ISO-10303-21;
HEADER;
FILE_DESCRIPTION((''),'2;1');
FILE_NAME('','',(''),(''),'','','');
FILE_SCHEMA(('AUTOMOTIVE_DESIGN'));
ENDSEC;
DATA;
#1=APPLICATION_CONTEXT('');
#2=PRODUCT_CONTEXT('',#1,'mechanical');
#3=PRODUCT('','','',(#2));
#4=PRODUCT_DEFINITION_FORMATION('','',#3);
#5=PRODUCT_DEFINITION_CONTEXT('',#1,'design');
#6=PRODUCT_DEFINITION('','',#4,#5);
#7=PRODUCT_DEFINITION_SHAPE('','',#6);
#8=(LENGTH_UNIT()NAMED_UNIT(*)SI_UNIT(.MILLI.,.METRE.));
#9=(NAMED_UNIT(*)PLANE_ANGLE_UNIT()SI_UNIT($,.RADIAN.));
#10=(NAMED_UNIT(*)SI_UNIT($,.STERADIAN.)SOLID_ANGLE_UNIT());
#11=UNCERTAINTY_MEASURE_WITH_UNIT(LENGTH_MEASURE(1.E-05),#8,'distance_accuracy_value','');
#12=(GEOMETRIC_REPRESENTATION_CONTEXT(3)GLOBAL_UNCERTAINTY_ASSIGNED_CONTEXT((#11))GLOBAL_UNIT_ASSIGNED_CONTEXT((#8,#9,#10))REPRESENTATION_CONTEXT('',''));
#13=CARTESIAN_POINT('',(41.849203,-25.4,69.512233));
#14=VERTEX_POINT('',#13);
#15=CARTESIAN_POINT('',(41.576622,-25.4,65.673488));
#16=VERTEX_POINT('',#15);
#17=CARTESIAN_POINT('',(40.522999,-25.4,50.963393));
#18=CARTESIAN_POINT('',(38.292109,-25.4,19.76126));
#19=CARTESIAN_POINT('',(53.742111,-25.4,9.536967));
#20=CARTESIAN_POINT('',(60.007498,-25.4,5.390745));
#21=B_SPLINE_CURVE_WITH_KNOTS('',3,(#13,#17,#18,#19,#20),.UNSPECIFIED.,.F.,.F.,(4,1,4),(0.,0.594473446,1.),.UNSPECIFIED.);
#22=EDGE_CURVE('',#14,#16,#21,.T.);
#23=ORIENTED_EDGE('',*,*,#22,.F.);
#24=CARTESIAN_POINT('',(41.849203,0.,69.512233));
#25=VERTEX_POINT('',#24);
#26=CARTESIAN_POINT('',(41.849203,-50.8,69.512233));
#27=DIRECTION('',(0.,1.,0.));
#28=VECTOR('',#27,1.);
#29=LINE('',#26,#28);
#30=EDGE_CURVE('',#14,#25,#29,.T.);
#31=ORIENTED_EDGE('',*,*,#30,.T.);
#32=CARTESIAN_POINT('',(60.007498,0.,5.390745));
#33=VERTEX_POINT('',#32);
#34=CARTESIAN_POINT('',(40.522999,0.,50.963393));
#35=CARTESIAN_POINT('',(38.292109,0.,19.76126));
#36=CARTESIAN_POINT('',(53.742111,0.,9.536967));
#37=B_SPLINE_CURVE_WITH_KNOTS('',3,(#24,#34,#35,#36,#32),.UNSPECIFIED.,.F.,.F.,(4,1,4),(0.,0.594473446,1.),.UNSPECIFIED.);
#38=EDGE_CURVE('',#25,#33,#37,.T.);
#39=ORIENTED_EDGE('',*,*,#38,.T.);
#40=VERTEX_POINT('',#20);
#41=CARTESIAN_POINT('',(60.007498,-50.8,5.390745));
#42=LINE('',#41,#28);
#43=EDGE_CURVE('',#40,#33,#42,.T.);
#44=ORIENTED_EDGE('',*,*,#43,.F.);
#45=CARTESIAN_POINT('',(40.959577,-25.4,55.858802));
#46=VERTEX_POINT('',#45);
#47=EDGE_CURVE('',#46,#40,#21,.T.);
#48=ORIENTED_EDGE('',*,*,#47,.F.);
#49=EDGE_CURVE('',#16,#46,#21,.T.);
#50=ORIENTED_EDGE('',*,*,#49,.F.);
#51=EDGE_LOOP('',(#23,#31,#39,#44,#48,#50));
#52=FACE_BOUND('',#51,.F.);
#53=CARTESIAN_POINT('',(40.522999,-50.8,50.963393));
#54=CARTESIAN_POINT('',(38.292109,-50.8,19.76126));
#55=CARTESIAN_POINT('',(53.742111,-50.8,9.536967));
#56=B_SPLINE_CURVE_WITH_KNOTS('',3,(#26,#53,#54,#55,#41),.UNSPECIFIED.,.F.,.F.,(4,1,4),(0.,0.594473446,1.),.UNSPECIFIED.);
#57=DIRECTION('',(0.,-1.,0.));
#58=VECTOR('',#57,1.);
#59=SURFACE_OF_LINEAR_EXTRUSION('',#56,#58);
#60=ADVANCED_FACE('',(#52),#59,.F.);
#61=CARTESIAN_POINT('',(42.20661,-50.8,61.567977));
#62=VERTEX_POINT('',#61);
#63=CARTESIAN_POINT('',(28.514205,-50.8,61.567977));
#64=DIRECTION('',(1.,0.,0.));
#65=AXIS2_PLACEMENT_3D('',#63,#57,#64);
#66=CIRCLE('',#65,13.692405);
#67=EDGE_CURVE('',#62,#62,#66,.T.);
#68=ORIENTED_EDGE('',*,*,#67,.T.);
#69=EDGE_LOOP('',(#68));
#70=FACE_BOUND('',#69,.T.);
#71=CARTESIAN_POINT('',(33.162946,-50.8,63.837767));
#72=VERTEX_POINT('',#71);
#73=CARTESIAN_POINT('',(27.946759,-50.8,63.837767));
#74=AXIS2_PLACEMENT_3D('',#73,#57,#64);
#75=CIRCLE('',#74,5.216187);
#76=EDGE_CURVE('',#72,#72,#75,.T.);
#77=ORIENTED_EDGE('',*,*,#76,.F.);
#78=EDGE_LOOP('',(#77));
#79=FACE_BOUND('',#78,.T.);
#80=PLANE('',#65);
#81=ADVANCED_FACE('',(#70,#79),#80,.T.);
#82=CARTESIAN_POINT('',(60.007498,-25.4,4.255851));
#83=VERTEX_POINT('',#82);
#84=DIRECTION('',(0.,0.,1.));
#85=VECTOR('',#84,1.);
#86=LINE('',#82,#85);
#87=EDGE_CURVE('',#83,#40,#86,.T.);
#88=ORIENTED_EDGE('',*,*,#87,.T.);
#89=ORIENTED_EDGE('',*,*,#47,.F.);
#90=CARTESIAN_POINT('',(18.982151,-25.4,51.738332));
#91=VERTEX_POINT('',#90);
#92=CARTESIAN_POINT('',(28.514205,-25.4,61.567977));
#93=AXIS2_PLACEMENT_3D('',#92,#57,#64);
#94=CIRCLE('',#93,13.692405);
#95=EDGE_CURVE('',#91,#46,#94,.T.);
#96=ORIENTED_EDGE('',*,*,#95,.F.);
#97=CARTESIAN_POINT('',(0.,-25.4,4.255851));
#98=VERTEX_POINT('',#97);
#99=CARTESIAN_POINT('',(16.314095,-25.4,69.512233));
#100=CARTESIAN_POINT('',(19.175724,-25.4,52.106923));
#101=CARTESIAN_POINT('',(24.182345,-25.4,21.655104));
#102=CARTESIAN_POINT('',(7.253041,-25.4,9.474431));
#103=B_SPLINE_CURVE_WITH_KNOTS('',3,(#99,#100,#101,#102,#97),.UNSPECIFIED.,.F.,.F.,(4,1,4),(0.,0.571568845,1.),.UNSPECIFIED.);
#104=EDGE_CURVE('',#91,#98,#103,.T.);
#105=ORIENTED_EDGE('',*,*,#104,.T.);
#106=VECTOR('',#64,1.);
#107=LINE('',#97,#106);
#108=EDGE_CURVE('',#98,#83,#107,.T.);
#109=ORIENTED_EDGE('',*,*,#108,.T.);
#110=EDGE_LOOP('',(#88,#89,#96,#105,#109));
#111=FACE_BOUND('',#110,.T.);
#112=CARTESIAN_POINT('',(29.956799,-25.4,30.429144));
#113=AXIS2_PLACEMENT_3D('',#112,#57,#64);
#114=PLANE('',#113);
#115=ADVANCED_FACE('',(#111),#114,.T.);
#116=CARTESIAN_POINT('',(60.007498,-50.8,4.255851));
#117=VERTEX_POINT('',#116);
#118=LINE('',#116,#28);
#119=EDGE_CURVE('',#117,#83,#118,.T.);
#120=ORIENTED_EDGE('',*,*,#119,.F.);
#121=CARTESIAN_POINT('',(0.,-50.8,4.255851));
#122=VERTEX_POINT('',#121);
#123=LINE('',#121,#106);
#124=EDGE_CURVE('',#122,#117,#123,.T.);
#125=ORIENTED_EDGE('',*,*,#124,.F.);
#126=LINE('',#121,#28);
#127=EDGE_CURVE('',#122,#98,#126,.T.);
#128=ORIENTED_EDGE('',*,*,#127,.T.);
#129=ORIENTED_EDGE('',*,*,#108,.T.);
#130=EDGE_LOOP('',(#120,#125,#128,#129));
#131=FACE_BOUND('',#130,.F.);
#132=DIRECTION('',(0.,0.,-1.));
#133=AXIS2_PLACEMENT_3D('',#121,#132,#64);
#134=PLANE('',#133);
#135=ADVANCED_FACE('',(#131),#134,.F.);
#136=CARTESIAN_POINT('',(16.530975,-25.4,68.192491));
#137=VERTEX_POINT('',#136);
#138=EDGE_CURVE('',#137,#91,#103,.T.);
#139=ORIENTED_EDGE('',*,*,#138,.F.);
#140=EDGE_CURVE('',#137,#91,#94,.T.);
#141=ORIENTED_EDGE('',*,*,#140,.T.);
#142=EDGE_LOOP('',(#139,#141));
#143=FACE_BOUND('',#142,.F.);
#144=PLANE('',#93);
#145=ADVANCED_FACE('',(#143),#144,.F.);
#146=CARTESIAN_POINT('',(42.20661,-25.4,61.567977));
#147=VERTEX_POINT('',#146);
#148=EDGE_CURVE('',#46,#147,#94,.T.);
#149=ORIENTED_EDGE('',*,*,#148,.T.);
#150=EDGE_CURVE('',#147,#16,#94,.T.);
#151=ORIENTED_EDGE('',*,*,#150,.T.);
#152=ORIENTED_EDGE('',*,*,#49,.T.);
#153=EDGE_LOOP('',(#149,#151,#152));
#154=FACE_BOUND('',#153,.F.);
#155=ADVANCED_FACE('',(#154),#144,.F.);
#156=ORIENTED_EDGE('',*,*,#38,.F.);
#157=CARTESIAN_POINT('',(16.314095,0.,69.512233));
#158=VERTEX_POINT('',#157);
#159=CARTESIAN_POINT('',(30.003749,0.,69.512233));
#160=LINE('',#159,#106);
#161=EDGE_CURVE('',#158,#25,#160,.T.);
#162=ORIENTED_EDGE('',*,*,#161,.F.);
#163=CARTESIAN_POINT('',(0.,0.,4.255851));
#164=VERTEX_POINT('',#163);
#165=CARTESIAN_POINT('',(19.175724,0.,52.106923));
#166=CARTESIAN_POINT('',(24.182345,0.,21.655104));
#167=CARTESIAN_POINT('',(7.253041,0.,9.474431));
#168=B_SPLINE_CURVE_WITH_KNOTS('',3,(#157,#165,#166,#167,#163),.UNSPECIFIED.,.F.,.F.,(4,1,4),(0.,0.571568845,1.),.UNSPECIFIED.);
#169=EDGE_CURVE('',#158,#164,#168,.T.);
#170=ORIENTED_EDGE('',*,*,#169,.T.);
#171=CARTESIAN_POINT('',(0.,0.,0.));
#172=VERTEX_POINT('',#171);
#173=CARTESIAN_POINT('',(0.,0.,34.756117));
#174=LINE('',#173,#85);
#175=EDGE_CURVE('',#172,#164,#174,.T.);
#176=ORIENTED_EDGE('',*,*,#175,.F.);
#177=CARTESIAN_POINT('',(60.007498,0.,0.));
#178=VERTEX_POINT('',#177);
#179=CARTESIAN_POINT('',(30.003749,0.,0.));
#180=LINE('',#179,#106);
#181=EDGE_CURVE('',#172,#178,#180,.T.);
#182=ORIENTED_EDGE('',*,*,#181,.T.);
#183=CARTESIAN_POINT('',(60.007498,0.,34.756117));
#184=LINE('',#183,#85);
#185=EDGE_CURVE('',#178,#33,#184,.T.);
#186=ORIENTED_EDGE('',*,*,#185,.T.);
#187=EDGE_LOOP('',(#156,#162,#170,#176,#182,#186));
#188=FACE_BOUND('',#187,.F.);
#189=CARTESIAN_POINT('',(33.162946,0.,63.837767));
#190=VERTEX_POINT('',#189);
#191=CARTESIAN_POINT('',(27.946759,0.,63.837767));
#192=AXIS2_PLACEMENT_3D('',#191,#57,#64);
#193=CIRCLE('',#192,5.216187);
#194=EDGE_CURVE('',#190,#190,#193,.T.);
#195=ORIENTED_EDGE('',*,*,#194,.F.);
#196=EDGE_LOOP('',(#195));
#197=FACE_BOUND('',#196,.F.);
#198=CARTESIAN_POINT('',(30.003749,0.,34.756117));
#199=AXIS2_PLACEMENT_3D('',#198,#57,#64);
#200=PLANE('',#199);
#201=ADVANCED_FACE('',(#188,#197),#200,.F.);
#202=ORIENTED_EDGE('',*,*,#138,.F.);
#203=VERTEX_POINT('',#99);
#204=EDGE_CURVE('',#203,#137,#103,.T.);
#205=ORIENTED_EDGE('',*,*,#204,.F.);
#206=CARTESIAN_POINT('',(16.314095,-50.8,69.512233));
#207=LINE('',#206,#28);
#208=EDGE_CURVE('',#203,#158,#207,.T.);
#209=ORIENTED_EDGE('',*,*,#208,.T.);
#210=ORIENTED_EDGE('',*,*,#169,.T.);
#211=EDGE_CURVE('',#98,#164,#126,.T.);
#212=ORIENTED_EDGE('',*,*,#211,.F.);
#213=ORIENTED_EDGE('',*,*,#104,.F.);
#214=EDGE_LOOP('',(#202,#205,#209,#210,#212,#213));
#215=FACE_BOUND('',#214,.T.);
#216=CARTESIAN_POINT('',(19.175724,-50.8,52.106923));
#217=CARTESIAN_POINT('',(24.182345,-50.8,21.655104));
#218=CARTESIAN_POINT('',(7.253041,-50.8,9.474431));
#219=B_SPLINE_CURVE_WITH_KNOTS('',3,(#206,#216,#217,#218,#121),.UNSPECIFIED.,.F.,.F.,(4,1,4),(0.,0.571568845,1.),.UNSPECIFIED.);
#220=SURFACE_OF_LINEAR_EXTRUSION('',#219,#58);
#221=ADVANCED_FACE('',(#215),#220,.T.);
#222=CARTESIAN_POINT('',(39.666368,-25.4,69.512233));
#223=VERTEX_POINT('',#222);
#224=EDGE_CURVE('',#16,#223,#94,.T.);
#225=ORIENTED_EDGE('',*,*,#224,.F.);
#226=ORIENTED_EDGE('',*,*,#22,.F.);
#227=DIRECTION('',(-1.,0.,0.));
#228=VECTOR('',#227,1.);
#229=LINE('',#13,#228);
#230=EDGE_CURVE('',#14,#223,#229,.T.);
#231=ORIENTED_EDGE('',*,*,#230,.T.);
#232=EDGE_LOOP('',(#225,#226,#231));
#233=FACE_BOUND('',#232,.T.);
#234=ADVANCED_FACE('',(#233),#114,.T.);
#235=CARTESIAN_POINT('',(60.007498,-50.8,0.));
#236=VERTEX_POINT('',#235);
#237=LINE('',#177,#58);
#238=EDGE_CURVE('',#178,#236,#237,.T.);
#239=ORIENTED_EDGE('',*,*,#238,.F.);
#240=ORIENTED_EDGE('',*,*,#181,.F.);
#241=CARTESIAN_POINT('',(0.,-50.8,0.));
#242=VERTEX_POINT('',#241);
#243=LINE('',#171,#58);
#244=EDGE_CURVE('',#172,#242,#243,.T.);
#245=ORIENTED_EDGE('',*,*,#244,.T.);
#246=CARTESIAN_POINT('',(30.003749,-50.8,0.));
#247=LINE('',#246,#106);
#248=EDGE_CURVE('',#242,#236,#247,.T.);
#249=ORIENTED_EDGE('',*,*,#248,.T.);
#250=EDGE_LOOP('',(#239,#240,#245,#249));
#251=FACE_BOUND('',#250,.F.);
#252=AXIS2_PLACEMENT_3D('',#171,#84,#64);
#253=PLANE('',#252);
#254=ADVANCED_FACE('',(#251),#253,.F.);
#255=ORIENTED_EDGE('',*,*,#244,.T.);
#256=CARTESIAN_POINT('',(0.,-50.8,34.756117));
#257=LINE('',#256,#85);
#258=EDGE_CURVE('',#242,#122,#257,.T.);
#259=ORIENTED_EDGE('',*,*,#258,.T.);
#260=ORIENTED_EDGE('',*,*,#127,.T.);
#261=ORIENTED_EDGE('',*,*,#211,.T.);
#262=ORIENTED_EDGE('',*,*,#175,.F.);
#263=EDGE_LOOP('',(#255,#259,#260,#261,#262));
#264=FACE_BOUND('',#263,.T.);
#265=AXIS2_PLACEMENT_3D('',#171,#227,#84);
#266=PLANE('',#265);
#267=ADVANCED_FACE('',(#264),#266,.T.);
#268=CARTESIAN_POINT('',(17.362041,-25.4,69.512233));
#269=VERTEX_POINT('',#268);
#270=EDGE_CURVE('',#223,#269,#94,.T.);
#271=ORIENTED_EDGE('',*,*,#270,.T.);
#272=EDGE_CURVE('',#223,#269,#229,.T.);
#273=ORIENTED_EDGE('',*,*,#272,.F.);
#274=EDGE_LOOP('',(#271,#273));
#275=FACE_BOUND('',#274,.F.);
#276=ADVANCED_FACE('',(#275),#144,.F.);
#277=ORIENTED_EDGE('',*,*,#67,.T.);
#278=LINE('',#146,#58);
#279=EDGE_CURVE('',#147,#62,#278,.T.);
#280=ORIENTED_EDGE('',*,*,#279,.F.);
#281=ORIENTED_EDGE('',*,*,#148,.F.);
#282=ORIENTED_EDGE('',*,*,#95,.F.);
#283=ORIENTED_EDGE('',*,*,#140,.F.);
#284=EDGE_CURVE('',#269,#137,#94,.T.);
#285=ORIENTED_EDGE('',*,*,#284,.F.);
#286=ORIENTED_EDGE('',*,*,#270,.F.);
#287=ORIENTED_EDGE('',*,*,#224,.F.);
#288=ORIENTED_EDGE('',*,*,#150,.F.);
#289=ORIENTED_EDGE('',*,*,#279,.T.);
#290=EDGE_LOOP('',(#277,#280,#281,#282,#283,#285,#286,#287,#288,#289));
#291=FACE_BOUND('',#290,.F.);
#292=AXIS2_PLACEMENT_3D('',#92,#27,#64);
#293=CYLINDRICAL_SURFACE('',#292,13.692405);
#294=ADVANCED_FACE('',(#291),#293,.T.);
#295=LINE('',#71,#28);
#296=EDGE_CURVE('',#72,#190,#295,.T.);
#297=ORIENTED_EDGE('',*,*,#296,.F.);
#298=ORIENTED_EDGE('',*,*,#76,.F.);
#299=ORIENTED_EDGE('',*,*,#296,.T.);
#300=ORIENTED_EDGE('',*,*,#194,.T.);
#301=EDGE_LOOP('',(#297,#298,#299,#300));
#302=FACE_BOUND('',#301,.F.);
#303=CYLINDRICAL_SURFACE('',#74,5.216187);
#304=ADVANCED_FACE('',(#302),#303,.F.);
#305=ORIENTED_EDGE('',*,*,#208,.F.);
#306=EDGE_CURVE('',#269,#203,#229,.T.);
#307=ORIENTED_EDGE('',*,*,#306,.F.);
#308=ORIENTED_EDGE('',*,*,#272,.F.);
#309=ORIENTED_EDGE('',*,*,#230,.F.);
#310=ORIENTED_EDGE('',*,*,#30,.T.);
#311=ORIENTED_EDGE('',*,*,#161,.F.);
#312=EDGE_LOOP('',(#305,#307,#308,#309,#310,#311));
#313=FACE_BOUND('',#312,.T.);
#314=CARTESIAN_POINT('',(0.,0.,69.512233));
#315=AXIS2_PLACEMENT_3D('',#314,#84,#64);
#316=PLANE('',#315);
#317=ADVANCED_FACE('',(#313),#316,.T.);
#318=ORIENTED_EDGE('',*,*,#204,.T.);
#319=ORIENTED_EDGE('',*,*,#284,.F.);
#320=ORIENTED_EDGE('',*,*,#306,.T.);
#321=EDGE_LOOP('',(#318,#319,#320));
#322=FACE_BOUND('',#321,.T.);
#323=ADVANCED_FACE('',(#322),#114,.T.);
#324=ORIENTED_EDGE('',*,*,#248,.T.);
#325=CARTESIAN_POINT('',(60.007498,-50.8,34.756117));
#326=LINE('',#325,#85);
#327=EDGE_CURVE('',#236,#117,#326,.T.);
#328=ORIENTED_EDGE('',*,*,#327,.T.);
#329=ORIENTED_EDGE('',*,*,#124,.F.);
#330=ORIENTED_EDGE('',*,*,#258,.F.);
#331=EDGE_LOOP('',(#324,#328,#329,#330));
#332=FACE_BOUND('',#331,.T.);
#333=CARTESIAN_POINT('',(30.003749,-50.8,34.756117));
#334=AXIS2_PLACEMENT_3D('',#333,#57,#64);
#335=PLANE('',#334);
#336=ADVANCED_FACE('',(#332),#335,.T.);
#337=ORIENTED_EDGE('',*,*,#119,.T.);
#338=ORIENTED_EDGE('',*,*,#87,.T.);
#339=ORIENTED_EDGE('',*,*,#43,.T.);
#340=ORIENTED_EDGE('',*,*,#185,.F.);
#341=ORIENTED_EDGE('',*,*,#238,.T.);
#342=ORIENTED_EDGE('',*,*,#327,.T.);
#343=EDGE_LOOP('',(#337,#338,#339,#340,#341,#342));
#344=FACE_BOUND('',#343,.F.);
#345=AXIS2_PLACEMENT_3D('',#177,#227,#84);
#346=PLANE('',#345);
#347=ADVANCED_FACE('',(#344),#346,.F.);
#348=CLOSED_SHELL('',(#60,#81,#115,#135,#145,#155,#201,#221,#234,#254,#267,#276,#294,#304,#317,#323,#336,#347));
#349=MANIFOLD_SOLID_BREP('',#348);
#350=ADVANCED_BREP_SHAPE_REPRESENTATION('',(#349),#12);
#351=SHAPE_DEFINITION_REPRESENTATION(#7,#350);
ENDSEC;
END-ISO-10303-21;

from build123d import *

# Parameters (mm, degrees)
F0_W     = 60.0074976683
F0_H     = 69.5122331381
F1_DEPTH = 50.8
F3_DEPTH = 50.8
F5_DEPTH = 25.4
F6_R     = 13.6924053839
F7_DEPTH = 25.4
F8_R     = 5.2161873837
F9_DEPTH = 50.8


with BuildPart() as f1:
    # F0 (on Front) → F1 (new body)
    with BuildSketch(Plane.XZ):
        with Locations((30.0037488341, 34.756116569)):
            Rectangle(F0_W, F0_H)
    extrude(amount=F1_DEPTH)

    # F2 (on face) → F3 (cut)
    with BuildSketch(Plane.XZ.offset(50.8)):
        with BuildLine():
            Line((60.0074976683, 69.5122331381), (41.8492034078, 69.5122331381))
            add(Edge.make_bspline(
                [(41.8492034078, 69.5122331381), (40.5229985665, 50.963393388), (38.2921086092, 19.7612600302), (53.7421113163, 9.5369669805), (60.0074976683, 5.3907446563)],
                knots=[0, 0, 0, 0, 0.5944734463, 1, 1, 1, 1], degree=3))
            Line((60.0074976683, 5.3907446563), (60.0074976683, 69.5122331381))
        make_face()
        with BuildLine():
            add(Edge.make_bspline(
                [(16.3140948862, 69.5122331381), (19.1757238105, 52.1069225067), (24.1823454085, 21.6551041788), (7.2530413082, 9.4744311002), (0, 4.255851265)],
                knots=[0, 0, 0, 0, 0.571568845, 1, 1, 1, 1], degree=3))
            Line((16.3140948862, 69.5122331381), (0, 69.5122331381))
            Line((0, 69.5122331381), (0, 4.255851265))
        make_face()
    extrude(amount=-F3_DEPTH, mode=Mode.SUBTRACT)

    # F4 (on face) → F5 (cut)
    with BuildSketch(Plane.XZ.offset(50.8)):
        with BuildLine():
            add(Edge.make_bspline(
                [(16.3140948862, 69.5122331381), (19.1757238105, 52.1069225067), (24.1823454085, 21.6551041788), (7.2530413082, 9.4744311002), (0, 4.255851265)],
                knots=[0, 0, 0, 0, 0.571568845, 1, 1, 1, 1], degree=3))
            Line((0, 4.255851265), (60.0074976683, 4.255851265))
            Line((60.0074976683, 4.255851265), (60.0074976683, 5.3907446563))
            add(Edge.make_bspline(
                [(41.8492034078, 69.5122331381), (40.5229985665, 50.963393388), (38.2921086092, 19.7612600302), (53.7421113163, 9.5369669805), (60.0074976683, 5.3907446563)],
                knots=[0, 0, 0, 0, 0.5944734463, 1, 1, 1, 1], degree=3))
            Line((41.8492034078, 69.5122331381), (16.3140948862, 69.5122331381))
        make_face()
    extrude(amount=-F5_DEPTH, mode=Mode.SUBTRACT)

    # F6 (on face) → F7 (join)
    with BuildSketch(Plane.XZ.offset(25.4)):
        with Locations((28.5142045468, 61.5679770708)):
            Circle(F6_R)
    extrude(amount=F7_DEPTH)

    # F8 (on face) → F9 (cut)
    with BuildSketch(Plane.XZ.offset(50.8)):
        with Locations((27.9467590153, 63.8377666473)):
            Circle(F8_R)
    extrude(amount=-F9_DEPTH, mode=Mode.SUBTRACT)


solid = f1.part
